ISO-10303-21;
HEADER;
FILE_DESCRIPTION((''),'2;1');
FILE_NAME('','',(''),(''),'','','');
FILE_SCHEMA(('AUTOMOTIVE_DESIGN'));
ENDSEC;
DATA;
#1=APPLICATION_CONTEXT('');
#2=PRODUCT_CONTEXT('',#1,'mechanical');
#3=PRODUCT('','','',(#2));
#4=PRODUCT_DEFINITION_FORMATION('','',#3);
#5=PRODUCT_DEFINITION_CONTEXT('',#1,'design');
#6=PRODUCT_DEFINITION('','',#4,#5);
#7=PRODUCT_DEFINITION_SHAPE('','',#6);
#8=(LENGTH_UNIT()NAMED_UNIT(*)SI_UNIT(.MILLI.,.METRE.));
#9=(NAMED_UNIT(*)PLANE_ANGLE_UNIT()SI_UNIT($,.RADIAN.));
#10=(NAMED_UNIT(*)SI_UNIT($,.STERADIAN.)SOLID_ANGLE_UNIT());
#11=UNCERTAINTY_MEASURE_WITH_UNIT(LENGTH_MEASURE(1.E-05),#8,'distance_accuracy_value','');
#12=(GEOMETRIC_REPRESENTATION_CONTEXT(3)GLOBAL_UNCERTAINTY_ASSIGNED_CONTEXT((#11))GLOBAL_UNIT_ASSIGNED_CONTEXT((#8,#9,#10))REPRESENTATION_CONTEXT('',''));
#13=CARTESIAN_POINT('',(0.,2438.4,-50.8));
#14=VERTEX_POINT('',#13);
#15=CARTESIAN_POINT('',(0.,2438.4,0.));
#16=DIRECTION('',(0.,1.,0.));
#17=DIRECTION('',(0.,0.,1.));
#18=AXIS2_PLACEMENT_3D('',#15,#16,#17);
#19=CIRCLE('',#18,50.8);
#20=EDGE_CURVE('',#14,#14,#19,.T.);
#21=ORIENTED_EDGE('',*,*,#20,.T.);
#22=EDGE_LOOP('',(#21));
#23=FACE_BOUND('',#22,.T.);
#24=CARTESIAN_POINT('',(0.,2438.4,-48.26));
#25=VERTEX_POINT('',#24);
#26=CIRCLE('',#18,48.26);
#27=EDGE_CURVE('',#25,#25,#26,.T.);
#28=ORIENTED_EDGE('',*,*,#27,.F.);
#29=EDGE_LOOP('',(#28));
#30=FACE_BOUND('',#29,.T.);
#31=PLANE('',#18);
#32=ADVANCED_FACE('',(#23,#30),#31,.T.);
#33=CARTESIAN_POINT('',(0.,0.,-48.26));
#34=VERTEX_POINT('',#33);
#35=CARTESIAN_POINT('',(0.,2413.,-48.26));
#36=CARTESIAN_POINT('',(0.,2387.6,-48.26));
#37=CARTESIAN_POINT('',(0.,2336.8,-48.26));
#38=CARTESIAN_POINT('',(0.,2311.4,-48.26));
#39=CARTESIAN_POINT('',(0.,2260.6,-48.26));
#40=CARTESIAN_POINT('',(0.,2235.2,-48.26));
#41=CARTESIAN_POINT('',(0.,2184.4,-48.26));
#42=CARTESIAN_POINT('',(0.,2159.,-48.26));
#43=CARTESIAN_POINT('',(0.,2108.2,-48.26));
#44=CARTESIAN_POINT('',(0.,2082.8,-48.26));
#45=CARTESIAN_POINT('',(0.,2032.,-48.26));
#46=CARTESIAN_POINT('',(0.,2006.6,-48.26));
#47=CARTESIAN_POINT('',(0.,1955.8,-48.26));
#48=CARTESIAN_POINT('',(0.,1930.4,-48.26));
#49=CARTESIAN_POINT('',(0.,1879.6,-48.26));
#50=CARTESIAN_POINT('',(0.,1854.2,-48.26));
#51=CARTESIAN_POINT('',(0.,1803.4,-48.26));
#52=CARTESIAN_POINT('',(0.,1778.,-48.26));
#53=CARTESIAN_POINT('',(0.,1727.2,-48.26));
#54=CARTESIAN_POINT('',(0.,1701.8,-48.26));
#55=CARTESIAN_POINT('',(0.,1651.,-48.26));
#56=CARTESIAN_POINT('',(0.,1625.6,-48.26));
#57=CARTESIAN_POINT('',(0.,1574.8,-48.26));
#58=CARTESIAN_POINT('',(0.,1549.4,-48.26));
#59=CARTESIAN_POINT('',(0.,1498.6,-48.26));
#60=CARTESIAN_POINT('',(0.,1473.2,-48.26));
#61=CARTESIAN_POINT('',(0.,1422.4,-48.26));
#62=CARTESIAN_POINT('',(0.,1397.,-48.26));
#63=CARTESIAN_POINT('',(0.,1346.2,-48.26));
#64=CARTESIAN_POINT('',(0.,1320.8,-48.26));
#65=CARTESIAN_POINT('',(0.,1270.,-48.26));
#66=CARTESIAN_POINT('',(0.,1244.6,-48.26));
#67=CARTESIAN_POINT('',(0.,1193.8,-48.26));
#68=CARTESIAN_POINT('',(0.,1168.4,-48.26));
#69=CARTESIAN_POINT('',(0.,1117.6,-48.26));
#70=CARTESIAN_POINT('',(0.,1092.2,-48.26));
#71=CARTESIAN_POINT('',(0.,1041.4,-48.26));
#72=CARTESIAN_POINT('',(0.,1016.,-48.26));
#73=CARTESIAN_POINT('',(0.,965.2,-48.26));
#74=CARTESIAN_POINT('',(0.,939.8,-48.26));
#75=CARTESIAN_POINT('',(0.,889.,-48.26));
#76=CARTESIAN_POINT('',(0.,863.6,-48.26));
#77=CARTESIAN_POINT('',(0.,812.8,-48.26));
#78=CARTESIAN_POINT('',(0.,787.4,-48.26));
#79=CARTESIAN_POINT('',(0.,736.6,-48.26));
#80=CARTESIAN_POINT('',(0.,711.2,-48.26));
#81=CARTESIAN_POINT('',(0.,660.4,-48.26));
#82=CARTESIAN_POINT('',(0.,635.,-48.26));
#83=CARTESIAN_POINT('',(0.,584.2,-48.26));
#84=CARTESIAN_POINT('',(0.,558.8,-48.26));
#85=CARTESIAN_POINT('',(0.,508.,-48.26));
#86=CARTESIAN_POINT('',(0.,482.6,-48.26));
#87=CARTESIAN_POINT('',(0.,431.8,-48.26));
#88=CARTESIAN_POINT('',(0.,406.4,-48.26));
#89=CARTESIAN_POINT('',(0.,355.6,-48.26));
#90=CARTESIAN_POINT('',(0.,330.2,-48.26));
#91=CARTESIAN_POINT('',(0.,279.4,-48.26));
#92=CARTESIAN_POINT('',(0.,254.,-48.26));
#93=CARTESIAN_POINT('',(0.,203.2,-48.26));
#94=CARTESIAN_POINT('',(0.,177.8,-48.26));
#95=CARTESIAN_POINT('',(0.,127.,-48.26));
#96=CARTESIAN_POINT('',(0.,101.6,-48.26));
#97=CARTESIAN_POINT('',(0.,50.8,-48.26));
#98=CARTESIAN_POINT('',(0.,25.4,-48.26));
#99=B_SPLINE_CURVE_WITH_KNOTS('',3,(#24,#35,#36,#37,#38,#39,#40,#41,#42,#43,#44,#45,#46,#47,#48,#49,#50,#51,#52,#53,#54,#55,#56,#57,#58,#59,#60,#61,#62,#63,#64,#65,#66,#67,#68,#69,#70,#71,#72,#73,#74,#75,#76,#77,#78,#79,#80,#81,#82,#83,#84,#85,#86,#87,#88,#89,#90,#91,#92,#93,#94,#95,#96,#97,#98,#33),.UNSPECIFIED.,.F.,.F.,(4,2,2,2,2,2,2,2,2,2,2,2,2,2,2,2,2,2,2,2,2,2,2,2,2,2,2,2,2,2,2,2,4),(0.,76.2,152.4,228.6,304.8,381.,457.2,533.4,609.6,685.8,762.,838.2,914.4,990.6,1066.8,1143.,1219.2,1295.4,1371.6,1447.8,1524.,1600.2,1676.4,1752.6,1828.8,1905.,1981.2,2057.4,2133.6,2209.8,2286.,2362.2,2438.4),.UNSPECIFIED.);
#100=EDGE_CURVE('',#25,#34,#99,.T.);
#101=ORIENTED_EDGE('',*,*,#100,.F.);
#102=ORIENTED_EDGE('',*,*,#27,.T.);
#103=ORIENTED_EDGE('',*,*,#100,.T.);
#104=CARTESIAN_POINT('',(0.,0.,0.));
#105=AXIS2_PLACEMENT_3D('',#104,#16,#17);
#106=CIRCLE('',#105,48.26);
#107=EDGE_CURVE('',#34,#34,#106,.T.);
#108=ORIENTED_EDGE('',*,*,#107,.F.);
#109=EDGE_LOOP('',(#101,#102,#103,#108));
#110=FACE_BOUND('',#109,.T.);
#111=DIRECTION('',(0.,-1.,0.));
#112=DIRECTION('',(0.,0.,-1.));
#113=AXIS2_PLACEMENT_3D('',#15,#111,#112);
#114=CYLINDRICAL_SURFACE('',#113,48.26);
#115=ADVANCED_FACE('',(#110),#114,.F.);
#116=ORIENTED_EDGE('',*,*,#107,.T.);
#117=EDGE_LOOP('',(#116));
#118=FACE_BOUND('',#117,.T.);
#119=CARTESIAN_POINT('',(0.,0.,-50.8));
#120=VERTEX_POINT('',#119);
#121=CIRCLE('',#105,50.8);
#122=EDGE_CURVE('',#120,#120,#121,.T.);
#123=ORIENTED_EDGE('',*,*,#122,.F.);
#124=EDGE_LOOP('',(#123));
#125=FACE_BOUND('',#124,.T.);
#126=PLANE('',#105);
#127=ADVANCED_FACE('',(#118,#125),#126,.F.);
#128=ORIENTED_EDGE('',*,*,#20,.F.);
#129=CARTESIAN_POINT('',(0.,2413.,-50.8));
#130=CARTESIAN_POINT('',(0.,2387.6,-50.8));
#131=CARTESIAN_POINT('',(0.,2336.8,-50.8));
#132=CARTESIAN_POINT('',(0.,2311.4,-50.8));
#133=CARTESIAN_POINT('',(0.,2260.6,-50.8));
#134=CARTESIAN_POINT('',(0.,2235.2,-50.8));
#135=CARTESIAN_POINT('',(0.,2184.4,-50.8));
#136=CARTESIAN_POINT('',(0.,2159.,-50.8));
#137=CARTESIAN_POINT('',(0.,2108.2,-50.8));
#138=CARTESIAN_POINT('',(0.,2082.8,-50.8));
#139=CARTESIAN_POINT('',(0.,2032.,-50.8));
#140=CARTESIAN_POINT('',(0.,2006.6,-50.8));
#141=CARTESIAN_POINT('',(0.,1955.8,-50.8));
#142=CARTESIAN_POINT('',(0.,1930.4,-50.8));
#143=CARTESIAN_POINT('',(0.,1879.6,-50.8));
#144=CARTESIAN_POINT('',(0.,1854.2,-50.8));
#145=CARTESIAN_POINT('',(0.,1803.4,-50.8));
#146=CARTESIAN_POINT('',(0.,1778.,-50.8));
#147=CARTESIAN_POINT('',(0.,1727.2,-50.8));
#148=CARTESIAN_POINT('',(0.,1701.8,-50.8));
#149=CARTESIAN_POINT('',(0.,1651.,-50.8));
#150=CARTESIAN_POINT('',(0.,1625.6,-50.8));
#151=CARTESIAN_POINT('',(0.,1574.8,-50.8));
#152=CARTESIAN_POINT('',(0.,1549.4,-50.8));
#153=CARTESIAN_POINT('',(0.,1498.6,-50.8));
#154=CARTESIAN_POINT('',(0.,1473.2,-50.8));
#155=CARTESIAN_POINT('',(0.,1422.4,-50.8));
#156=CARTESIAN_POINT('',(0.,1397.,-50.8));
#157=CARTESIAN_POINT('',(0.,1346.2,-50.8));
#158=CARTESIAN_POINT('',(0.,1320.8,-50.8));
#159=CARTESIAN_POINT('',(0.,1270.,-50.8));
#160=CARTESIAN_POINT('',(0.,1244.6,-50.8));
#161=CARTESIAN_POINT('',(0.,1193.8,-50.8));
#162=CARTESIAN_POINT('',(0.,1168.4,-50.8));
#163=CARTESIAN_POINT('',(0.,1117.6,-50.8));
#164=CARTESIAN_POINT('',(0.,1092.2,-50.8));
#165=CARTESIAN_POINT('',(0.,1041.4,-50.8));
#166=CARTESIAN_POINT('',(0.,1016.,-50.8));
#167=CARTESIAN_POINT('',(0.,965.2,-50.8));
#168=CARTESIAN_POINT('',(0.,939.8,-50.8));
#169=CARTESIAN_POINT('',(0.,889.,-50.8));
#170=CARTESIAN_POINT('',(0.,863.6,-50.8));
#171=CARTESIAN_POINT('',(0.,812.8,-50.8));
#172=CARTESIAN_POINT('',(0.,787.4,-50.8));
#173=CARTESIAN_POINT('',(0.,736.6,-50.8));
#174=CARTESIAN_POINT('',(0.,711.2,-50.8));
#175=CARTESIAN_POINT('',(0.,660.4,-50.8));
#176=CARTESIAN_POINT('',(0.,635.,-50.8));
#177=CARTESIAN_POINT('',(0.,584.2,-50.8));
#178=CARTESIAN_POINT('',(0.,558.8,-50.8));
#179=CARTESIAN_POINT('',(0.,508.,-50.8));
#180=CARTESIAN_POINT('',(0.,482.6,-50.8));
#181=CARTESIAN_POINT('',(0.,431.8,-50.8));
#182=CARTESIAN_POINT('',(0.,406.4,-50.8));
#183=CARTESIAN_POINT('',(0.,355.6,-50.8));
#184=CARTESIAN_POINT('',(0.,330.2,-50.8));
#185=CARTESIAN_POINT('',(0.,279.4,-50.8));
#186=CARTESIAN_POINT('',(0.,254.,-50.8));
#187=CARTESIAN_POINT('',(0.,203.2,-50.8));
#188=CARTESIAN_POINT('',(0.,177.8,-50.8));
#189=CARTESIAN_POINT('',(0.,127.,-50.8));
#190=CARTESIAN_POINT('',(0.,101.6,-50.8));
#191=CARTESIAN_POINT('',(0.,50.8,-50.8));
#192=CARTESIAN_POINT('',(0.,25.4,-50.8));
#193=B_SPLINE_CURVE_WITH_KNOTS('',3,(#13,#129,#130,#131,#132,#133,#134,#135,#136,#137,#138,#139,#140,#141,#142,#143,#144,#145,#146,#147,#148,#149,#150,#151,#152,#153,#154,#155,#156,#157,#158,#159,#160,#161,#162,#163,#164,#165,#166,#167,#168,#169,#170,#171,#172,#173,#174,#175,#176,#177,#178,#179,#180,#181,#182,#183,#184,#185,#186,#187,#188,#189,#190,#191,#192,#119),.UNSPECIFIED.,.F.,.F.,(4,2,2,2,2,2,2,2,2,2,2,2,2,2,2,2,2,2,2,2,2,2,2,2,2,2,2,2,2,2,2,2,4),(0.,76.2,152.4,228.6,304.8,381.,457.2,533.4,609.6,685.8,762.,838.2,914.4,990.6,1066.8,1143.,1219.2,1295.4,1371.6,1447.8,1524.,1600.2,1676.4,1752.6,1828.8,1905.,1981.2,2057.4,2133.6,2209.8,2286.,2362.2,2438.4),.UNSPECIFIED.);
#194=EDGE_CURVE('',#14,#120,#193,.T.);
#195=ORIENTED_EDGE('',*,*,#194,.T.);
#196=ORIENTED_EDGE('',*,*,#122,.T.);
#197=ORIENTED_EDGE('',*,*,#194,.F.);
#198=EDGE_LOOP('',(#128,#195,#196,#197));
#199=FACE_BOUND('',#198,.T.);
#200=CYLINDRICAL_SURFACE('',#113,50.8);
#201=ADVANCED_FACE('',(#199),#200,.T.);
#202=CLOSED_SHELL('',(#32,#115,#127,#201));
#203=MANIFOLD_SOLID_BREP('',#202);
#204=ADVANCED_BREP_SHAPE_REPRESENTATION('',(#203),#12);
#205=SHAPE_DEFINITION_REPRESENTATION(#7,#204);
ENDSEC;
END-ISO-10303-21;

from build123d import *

# Parameters (mm, degrees)
SKETCH1_R           = 50.8
SKETCH1_R_2         = 48.26
BOSS_EXTRUDE1_DEPTH = 2438.4


with BuildPart() as part:
    # Sketch1 → Boss-Extrude1 (new body)
    with BuildSketch(Plane(origin=(0, 0, 0), x_dir=(1, 0, 0), z_dir=(0, 1, 0))):
        Circle(SKETCH1_R)
        Circle(SKETCH1_R_2, mode=Mode.SUBTRACT)
    extrude(amount=BOSS_EXTRUDE1_DEPTH)


solid = part.part
